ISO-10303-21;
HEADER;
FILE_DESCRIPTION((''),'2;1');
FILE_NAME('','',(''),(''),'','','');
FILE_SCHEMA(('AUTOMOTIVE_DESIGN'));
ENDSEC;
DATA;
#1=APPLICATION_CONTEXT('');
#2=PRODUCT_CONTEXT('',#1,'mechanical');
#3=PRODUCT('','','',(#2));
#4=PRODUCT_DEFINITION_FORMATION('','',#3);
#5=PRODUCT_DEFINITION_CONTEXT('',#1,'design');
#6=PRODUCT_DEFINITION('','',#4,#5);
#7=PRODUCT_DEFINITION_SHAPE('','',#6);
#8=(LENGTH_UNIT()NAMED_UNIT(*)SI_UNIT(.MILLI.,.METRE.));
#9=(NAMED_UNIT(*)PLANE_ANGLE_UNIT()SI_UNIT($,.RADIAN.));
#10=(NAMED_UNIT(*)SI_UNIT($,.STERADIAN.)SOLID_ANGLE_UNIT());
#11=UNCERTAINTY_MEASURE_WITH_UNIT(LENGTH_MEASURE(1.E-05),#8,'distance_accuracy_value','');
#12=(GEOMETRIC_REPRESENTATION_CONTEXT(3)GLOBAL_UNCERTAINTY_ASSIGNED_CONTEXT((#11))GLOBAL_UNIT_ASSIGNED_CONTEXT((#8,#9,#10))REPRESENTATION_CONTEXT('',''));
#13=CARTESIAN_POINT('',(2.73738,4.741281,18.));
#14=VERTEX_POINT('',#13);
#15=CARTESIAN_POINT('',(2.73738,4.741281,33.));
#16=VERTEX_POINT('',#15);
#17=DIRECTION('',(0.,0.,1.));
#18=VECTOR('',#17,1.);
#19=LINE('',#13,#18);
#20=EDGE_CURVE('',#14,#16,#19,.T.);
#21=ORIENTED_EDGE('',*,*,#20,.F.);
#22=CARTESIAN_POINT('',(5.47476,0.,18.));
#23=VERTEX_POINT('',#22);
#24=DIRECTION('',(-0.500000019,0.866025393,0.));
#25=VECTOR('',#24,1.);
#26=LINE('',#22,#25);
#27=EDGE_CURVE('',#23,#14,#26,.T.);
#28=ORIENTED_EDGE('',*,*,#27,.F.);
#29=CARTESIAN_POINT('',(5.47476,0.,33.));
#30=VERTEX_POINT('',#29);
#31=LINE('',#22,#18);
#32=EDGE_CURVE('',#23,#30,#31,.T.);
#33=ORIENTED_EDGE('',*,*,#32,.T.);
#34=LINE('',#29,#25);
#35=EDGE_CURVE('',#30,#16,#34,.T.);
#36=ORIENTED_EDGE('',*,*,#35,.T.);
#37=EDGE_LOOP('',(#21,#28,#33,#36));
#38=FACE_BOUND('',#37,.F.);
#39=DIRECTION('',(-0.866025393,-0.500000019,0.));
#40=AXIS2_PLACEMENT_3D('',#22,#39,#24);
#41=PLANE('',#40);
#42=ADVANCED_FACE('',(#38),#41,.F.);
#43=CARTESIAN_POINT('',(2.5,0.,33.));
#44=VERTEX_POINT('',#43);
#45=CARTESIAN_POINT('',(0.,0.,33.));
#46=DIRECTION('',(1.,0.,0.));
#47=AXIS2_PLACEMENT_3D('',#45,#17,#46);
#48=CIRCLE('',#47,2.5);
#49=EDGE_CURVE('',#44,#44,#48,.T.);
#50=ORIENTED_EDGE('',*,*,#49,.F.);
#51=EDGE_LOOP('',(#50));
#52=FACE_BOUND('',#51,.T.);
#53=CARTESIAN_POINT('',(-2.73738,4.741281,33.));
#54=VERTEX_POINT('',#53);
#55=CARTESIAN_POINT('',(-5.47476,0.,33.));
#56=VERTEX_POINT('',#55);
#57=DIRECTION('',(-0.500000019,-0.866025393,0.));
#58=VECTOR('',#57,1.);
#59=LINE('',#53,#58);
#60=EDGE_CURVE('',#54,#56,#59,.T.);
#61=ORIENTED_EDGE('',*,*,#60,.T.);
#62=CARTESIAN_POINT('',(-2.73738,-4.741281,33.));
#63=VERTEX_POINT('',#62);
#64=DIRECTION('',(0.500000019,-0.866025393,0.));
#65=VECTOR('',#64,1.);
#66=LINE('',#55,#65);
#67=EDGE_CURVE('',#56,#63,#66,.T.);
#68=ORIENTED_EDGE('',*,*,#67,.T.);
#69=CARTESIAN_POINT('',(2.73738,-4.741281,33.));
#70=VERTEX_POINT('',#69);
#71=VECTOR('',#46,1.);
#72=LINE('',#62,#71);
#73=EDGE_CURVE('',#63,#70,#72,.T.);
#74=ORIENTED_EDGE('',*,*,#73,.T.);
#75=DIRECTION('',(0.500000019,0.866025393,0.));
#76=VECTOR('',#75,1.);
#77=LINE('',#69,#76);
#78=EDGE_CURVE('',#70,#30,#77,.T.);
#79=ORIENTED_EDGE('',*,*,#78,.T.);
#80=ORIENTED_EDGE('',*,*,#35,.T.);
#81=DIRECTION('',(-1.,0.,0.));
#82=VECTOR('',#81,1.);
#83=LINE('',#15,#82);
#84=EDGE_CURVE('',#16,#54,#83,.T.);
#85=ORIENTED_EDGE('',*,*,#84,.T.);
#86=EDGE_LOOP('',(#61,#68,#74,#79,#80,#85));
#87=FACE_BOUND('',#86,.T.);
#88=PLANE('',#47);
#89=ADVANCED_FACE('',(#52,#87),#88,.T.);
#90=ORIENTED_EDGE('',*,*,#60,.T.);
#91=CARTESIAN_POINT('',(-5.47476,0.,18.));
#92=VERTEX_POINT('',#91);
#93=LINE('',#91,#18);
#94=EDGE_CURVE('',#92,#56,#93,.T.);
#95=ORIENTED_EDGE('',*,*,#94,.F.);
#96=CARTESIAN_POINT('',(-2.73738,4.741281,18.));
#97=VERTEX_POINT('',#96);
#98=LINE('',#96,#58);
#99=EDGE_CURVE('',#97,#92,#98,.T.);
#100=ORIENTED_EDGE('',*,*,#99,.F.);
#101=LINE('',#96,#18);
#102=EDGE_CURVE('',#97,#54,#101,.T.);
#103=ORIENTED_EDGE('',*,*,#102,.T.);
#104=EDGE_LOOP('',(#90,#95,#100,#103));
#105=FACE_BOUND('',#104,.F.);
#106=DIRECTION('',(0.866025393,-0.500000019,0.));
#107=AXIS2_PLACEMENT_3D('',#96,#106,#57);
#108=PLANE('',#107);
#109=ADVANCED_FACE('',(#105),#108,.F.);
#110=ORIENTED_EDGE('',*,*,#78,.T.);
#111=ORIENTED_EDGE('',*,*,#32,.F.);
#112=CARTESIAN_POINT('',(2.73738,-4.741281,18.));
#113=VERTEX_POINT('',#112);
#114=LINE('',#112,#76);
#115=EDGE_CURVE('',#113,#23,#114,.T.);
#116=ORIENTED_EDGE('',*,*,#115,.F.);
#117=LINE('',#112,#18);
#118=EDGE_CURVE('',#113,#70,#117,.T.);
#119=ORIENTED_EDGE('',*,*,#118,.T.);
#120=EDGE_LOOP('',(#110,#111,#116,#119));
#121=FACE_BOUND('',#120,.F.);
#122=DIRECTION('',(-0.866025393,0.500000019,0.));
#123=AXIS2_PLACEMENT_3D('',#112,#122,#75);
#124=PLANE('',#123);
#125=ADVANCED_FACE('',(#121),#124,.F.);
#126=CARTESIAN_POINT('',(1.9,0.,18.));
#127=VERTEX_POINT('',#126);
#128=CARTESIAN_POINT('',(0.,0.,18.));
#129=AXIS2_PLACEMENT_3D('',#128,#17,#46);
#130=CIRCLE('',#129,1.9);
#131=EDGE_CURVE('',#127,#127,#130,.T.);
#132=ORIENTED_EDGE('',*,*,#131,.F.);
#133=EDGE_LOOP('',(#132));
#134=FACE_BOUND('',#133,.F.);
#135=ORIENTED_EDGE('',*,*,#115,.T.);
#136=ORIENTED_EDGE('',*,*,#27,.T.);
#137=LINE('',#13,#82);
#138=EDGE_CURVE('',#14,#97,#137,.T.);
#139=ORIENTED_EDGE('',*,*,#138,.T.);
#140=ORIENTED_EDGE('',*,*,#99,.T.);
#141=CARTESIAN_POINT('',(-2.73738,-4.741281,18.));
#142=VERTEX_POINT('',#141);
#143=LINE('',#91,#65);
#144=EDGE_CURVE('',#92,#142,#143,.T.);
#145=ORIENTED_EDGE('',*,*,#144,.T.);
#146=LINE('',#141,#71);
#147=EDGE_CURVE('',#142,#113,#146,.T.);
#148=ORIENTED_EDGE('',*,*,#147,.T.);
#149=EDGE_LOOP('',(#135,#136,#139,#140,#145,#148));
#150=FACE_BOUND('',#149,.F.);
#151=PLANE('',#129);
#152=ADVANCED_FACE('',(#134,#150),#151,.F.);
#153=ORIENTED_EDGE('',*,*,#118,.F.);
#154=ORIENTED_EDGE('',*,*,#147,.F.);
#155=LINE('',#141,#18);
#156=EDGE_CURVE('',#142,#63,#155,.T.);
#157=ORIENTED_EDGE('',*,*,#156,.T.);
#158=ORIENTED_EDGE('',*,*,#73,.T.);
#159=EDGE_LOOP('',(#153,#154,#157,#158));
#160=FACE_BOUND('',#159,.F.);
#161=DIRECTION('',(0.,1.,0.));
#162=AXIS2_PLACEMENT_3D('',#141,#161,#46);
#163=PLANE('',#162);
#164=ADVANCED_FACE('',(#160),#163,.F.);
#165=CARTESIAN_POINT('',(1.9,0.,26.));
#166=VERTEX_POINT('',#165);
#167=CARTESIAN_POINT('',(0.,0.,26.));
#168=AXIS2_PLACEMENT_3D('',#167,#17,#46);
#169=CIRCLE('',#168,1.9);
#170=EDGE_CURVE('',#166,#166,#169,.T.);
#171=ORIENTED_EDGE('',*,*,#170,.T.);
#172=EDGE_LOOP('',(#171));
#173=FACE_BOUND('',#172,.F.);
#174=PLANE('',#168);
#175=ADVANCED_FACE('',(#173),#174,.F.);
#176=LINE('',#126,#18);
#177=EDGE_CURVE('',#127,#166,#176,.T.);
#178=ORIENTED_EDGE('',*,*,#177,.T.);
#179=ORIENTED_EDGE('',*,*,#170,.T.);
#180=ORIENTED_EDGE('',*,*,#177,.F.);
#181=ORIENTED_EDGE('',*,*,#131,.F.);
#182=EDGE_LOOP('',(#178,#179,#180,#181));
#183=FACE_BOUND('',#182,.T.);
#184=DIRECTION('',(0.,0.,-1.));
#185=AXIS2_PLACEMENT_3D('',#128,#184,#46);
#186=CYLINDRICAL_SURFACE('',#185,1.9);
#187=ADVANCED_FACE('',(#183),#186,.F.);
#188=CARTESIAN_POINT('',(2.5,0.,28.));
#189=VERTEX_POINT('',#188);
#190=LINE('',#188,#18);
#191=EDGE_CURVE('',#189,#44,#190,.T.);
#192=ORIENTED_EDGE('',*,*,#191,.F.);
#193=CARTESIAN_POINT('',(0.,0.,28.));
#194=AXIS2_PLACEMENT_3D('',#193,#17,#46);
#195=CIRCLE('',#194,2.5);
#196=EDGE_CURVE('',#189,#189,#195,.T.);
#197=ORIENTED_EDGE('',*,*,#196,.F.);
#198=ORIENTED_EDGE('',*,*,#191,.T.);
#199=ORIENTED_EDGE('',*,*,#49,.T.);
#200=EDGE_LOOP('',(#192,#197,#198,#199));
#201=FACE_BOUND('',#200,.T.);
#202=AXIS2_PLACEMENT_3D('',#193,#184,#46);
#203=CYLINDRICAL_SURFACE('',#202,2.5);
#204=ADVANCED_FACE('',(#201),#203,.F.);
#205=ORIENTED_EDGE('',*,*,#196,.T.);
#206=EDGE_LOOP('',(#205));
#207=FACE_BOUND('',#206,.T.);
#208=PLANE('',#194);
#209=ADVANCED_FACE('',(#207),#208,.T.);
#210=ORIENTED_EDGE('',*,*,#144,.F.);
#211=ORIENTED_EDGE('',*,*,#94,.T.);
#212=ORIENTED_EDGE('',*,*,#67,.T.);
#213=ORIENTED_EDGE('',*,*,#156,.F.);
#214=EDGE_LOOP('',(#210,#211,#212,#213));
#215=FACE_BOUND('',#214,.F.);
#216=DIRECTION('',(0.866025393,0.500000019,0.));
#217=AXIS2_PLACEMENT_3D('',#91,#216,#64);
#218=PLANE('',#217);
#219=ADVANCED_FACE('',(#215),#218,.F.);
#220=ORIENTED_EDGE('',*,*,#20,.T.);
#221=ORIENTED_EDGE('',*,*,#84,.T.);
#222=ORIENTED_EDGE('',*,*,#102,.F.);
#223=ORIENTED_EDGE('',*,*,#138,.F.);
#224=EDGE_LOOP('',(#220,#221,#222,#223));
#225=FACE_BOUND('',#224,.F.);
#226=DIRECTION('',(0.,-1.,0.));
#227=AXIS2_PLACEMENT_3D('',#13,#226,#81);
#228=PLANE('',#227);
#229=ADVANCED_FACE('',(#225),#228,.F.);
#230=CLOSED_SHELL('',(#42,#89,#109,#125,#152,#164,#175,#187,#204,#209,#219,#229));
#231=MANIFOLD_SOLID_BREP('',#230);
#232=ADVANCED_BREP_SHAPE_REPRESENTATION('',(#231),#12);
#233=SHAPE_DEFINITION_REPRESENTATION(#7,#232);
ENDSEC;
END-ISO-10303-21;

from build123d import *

# Parameters (mm, degrees)
CYLINDER017_R     = 1.9
CYLINDER017_DEPTH = 8
CYLINDER022_R     = 2.5
CYLINDER022_DEPTH = 5
PRISM_DEPTH       = 15


with BuildPart() as zylinder017:
    # Cylinder017 → Cylinder017 (new body)
    with BuildSketch(Plane.XY):
        Circle(CYLINDER017_R)
    extrude(amount=CYLINDER017_DEPTH)


with BuildPart() as zylinder020:
    # Cylinder022 → Cylinder022 (new body)
    with BuildSketch(Plane.XY.offset(10)):
        Circle(CYLINDER022_R)
    extrude(amount=CYLINDER022_DEPTH)


with BuildPart() as shaft_fixer:
    # Prism → Prism (new body)
    with BuildSketch(Plane.XY):
        Polygon((5.47476, 0), (2.73738, 4.741281), (-2.73738, 4.741281), (-5.47476, 0), (-2.73738, -4.741281), (2.73738, -4.741281), align=None)
    extrude(amount=PRISM_DEPTH)

    # Cut039: cut Zylinder020
    add(zylinder020.part, mode=Mode.SUBTRACT)

    # Cut040: cut Zylinder017
    add(zylinder017.part, mode=Mode.SUBTRACT)


with BuildPart() as shaft_fixer_1:
    # Cut040 placement: moved
    add(shaft_fixer.part.moved(Location((0, 0, 18))))


solid = shaft_fixer_1.part
